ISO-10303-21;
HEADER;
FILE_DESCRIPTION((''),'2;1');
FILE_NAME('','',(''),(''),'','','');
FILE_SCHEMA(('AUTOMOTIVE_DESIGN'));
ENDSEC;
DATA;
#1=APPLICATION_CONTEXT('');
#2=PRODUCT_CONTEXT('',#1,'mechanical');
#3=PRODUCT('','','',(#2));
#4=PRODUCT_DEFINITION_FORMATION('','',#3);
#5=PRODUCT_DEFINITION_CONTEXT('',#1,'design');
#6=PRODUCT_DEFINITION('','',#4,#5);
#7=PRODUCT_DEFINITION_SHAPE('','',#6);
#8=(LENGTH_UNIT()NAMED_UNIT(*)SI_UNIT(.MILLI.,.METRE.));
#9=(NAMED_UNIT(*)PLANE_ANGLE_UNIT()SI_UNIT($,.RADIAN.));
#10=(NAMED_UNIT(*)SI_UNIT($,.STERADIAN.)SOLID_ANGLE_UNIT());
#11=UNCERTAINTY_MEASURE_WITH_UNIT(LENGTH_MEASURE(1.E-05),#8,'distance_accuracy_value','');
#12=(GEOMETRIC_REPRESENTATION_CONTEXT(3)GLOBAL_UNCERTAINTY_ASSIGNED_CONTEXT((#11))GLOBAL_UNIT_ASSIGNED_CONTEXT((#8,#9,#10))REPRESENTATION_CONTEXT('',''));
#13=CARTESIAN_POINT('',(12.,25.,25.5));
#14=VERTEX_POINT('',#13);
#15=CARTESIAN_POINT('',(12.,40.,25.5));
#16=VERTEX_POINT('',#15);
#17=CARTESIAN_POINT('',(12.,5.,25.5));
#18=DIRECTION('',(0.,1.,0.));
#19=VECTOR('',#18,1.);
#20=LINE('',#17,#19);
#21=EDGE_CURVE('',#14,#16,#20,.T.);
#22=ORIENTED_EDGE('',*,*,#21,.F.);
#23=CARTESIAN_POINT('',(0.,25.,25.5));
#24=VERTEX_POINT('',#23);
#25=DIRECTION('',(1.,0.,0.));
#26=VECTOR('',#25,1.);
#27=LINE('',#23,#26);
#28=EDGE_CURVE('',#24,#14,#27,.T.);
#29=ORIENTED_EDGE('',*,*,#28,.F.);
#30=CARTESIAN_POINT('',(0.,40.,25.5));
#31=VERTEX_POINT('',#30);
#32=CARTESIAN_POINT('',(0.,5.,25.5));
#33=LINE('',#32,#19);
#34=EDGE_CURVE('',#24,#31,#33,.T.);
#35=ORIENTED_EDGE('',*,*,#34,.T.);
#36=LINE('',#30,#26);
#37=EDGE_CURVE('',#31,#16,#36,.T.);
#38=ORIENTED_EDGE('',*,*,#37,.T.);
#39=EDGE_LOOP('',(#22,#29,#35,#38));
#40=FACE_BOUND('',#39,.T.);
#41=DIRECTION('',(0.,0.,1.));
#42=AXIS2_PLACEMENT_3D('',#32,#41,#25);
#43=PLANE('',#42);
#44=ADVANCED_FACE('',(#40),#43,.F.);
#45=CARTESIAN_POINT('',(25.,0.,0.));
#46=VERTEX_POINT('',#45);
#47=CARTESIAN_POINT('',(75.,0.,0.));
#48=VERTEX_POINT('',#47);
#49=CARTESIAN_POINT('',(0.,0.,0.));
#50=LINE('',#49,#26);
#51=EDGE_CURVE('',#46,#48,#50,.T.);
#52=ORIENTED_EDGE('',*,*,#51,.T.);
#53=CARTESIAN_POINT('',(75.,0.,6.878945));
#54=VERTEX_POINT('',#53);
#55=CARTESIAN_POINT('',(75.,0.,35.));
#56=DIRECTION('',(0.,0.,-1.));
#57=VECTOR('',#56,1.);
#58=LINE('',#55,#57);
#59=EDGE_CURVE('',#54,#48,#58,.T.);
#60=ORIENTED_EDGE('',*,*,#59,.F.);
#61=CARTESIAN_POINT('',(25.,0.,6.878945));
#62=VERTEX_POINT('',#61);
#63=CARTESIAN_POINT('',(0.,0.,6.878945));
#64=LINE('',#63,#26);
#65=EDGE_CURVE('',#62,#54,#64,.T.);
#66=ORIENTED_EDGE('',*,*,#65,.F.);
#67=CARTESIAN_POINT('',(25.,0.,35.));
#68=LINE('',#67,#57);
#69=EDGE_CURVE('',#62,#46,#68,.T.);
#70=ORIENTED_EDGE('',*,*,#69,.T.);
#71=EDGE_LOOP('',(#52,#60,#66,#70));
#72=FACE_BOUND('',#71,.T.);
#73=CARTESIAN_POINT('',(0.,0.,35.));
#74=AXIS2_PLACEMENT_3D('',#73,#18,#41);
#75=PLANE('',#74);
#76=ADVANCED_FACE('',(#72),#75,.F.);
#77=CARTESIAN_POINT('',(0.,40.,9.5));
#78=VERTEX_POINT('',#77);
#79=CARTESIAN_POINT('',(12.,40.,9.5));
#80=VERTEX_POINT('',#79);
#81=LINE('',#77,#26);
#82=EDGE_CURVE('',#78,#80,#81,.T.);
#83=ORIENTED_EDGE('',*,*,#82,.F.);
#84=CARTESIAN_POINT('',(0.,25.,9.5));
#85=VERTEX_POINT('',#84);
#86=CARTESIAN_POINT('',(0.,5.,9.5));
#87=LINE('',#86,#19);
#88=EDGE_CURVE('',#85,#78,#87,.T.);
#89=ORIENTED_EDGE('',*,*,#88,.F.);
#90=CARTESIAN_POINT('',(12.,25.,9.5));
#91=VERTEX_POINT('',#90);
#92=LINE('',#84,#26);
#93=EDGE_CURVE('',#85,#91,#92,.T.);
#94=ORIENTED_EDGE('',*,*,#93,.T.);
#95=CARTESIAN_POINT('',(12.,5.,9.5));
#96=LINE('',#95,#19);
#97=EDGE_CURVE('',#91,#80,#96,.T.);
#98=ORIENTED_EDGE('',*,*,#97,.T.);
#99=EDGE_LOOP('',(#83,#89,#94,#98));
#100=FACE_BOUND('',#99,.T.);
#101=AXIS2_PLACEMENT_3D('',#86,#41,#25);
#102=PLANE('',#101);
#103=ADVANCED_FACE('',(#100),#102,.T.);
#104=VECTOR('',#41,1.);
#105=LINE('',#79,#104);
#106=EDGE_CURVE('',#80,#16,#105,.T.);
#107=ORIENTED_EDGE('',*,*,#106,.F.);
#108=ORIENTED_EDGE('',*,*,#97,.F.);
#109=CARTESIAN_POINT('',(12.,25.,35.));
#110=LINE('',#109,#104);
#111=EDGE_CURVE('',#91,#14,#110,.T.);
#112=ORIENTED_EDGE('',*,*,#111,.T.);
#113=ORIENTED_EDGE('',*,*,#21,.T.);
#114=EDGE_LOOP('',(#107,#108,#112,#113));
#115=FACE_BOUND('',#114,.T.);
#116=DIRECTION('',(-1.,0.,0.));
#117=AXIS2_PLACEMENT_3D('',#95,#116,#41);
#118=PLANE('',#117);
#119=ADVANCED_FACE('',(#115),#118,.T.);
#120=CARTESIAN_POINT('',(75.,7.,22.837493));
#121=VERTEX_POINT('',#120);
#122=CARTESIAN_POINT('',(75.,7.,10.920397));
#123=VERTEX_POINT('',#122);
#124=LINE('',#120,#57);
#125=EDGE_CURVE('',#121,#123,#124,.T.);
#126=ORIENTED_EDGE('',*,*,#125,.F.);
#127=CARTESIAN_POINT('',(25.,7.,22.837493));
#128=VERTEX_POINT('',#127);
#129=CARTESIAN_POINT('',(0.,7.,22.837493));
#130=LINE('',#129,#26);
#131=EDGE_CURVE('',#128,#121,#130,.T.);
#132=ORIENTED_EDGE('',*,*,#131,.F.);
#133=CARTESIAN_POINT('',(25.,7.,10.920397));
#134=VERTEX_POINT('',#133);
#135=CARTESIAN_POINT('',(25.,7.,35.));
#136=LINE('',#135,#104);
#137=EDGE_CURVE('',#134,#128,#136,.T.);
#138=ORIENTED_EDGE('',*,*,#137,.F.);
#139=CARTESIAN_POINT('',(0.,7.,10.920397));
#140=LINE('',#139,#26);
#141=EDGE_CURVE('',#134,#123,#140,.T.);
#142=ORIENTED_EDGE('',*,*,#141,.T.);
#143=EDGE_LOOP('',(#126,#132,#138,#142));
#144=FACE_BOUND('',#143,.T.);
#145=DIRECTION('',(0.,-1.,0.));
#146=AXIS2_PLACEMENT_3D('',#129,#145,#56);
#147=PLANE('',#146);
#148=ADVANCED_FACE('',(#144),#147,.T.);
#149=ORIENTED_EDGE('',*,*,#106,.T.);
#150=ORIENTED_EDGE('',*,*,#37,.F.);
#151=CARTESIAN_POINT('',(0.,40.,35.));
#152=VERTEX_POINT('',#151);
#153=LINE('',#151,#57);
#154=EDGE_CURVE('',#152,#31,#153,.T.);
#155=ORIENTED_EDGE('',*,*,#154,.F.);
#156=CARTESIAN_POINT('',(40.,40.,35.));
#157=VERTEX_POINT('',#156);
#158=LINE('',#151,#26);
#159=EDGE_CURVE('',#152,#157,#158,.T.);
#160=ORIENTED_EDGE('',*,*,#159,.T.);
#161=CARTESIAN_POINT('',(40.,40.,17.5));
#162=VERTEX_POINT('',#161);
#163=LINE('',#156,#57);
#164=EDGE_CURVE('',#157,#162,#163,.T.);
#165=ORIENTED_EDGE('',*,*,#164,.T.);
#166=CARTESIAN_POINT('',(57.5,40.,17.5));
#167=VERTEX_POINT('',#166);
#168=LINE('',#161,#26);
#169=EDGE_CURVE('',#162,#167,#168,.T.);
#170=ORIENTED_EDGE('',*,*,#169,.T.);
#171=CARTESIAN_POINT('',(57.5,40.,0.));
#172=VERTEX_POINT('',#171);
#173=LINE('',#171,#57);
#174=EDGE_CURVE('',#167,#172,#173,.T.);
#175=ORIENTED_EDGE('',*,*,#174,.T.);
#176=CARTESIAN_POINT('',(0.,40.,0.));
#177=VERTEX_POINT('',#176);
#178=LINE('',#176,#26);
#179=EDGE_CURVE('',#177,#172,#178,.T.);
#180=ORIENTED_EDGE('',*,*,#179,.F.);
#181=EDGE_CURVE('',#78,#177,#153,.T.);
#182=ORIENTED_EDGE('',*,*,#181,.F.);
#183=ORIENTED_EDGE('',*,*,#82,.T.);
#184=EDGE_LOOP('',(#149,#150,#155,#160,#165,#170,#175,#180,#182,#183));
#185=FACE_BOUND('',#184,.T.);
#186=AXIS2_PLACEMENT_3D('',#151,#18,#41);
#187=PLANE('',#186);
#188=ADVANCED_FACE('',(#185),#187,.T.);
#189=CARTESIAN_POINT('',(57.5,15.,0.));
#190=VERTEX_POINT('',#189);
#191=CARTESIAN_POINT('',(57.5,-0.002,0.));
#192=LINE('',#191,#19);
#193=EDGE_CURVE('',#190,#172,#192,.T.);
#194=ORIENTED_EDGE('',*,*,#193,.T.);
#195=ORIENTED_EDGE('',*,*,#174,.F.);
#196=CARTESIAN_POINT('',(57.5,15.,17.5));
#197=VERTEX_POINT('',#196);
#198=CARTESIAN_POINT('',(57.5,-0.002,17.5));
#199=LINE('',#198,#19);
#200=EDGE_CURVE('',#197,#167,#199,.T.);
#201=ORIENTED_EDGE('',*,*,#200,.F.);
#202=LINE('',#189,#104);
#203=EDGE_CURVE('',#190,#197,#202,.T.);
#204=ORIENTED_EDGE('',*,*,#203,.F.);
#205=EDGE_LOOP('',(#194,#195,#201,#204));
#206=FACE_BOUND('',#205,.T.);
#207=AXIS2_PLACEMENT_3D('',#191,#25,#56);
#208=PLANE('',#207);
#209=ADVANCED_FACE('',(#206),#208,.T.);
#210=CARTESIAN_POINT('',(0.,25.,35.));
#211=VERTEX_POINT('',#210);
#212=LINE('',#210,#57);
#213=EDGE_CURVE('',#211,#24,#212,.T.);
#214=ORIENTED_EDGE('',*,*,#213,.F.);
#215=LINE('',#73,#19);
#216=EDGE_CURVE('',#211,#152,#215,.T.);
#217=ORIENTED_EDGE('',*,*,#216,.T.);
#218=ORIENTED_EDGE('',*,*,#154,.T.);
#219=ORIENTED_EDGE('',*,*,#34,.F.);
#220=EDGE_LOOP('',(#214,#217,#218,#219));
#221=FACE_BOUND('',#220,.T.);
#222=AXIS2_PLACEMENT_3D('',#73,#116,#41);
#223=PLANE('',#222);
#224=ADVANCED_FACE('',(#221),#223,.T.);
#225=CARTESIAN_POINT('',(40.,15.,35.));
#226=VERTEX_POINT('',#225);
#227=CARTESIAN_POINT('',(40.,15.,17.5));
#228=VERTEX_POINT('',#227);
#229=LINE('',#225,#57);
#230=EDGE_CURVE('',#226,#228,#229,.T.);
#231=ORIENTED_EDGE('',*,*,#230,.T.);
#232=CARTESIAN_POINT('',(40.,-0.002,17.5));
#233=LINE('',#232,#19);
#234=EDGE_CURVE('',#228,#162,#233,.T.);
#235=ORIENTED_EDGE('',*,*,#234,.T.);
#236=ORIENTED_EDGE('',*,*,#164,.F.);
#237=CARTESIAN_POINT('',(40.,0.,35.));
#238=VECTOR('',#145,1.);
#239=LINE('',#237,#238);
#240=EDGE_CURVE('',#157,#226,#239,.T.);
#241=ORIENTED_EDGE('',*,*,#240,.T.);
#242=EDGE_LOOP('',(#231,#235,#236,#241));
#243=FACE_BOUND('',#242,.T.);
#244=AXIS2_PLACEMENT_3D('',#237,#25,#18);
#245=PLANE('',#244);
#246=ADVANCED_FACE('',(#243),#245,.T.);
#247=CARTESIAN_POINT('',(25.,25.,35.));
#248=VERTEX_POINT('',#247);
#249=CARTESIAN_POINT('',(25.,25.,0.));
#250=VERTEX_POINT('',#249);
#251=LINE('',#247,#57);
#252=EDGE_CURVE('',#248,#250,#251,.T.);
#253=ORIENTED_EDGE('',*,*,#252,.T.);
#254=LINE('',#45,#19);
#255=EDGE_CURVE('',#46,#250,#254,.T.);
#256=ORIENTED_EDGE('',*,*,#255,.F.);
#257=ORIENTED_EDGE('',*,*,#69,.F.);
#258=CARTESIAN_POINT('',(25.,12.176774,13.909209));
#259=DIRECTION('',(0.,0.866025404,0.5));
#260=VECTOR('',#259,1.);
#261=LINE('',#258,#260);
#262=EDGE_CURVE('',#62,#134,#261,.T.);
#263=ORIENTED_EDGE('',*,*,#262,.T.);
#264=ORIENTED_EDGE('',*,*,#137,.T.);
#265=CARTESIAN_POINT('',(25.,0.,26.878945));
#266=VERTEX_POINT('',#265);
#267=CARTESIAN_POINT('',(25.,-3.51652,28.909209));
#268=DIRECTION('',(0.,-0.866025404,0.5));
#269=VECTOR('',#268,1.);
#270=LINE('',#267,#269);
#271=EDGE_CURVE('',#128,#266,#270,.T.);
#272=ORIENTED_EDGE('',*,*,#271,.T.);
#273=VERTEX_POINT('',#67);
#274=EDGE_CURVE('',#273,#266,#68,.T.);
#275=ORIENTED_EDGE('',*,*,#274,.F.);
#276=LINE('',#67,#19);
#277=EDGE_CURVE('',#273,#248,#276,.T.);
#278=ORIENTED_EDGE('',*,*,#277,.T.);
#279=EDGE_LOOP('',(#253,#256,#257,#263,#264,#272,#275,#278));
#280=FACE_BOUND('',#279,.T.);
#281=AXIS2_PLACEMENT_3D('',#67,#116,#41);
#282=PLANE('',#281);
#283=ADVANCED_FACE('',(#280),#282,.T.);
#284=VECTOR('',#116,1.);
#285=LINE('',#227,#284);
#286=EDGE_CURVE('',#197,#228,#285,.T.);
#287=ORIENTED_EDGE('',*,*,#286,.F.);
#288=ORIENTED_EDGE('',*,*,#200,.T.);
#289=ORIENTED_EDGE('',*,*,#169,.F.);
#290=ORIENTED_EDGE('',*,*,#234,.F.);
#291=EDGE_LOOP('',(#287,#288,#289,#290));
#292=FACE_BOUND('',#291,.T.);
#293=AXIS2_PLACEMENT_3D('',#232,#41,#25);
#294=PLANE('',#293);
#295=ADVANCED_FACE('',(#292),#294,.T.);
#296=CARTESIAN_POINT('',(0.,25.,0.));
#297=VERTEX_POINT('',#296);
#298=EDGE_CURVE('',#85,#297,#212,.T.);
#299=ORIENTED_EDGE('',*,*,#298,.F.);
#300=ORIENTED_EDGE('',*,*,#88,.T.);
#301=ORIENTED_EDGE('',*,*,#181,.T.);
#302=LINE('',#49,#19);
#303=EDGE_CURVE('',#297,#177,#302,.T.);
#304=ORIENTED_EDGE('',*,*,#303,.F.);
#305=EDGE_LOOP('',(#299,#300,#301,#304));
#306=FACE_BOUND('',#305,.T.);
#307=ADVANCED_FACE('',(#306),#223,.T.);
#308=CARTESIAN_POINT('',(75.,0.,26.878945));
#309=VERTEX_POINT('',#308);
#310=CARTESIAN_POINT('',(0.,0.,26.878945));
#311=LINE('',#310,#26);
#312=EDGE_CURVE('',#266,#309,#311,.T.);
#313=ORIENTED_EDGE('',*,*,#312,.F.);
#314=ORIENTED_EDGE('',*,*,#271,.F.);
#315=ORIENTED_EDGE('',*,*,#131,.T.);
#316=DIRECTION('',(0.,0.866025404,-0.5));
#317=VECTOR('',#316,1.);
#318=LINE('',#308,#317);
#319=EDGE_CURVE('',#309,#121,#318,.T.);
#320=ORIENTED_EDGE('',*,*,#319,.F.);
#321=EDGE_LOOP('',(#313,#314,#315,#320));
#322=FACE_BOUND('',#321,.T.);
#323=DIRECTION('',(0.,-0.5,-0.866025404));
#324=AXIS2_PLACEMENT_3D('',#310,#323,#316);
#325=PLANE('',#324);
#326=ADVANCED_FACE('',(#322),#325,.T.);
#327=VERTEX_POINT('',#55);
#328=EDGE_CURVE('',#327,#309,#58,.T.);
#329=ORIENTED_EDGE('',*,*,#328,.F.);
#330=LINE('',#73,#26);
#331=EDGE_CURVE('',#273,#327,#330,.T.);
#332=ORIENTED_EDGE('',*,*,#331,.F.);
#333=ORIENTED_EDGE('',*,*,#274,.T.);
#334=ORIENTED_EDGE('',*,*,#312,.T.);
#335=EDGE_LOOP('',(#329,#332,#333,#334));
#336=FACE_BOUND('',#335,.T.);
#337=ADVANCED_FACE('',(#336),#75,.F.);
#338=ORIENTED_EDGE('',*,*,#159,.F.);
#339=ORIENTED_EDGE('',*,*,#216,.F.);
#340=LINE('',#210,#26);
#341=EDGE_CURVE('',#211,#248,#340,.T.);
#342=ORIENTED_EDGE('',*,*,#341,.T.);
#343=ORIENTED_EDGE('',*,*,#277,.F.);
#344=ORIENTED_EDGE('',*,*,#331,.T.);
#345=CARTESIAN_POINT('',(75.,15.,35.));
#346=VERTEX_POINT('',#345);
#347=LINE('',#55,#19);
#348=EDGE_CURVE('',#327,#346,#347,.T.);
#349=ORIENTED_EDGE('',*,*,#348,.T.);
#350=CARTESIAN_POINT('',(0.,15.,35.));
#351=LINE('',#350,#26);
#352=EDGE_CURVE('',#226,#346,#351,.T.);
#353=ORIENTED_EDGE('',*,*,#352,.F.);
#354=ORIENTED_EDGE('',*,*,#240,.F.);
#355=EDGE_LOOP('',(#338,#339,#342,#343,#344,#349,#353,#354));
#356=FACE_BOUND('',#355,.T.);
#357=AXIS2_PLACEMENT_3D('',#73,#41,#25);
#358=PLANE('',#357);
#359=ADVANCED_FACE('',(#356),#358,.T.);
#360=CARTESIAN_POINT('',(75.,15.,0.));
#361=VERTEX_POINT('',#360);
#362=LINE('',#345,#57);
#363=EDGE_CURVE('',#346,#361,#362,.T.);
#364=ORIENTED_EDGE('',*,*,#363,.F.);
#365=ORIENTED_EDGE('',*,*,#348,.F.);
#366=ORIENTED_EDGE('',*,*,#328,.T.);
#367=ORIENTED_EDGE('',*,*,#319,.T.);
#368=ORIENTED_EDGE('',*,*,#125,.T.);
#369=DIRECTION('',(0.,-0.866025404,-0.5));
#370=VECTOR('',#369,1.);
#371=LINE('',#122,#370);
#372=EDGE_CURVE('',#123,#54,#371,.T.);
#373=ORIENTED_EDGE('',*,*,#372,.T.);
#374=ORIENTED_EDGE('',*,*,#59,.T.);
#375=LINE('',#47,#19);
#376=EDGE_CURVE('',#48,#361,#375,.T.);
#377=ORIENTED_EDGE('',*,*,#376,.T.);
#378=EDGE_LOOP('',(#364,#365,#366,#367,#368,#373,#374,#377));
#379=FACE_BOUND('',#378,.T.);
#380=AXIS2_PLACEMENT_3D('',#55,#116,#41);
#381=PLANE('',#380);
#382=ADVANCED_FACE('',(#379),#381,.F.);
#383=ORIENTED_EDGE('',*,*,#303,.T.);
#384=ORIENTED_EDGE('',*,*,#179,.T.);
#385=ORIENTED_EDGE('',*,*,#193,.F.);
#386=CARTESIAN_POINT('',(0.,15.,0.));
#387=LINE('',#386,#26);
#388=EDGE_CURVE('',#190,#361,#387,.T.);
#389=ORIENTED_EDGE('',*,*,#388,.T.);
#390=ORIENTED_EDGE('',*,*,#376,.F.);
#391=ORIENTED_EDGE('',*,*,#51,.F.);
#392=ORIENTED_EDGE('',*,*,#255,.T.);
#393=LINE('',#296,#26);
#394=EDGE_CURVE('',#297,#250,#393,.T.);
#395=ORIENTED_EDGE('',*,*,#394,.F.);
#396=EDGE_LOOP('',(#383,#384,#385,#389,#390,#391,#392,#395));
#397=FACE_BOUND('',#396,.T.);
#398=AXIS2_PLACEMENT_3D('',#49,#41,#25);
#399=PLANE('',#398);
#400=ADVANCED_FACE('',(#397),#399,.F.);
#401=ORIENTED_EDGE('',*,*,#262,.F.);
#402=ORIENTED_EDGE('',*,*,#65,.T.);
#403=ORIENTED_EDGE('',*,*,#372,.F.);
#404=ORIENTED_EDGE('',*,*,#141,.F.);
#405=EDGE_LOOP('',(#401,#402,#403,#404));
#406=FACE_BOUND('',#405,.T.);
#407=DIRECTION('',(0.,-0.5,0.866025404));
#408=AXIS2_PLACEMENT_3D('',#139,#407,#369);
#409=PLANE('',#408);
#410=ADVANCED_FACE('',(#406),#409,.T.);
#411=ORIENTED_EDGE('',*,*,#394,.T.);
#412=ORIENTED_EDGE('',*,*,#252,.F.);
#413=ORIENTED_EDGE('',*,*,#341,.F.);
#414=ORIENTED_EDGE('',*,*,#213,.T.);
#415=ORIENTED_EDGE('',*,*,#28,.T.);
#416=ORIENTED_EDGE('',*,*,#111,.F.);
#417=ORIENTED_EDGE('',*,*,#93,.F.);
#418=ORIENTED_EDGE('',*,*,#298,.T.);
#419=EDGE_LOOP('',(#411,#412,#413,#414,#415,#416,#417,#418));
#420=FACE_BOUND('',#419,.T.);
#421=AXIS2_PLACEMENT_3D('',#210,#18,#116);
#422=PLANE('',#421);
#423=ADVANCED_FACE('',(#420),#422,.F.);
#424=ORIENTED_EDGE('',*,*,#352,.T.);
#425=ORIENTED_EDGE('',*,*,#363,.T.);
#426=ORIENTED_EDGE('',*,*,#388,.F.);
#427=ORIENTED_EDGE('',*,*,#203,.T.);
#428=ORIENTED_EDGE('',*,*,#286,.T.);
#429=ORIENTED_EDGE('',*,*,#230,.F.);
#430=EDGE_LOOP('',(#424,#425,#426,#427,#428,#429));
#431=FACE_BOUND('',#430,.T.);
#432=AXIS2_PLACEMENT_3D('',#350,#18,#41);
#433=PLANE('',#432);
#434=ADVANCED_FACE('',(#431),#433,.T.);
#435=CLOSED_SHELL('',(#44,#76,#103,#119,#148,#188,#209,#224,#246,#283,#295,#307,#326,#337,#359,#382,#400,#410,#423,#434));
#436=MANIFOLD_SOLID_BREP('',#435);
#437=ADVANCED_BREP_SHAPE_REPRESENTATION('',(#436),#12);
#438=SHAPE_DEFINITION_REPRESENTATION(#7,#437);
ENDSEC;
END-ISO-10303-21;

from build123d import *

# Parameters (mm, degrees)
BOSS_EXTRUDE1_DEPTH = 35
SKETCH3_W           = 12
SKETCH3_H           = 16
CUT_EXTRUDE1_DEPTH  = 35
BOSS_EXTRUDE2_REACH = 93.924
SKETCH4_W           = 17.5
SKETCH4_H           = 17.5
CUT_EXTRUDE2_DEPTH  = 92.923881554


with BuildPart() as part:
    # Sketch2 → Boss-Extrude1 (new body)
    with BuildSketch(Plane.XY):
        Polygon((25, 25), (25, 0), (75, 0), (75, 15), (40, 15), (40, 40), (0, 40), (0, 25), align=None)
    extrude(amount=BOSS_EXTRUDE1_DEPTH)

    # Sketch3 → Cut-Extrude1 (cut)
    with BuildSketch(Plane(origin=(0, 40, 0), x_dir=(1, 0, 0), z_dir=(0, 1, 0))):
        with Locations((6, -17.5)):
            Rectangle(SKETCH3_W, SKETCH3_H)
    extrude(amount=-CUT_EXTRUDE1_DEPTH, mode=Mode.SUBTRACT)

    # Sketch4 → Boss-Extrude2 (add, up to next)
    with BuildSketch(Plane(origin=(0, 40, 0), x_dir=(1, 0, 0), z_dir=(0, 1, 0)), mode=Mode.PRIVATE) as boss_extrude2_sk1:
        with Locations((48.75, -8.75)):
            Rectangle(SKETCH4_W, SKETCH4_H)
    boss_extrude2_tool1 = extrude(boss_extrude2_sk1.sketch, amount=-BOSS_EXTRUDE2_REACH, mode=Mode.PRIVATE) - part.part
    add(boss_extrude2_tool1.solids().sort_by_distance((48.75, 40, 8.75))[0])

    # Sketch5 → Cut-Extrude2 (cut, through all)
    with BuildSketch(Plane(origin=(75, 0, 0), x_dir=(0, 0, -1), z_dir=(1, 0, 0))):
        Polygon((-26.878944817, 0), (-22.837492933, 7), (-10.920396702, 7), (-6.878944817, 0), align=None)
    extrude(amount=-CUT_EXTRUDE2_DEPTH, mode=Mode.SUBTRACT)


solid = part.part
